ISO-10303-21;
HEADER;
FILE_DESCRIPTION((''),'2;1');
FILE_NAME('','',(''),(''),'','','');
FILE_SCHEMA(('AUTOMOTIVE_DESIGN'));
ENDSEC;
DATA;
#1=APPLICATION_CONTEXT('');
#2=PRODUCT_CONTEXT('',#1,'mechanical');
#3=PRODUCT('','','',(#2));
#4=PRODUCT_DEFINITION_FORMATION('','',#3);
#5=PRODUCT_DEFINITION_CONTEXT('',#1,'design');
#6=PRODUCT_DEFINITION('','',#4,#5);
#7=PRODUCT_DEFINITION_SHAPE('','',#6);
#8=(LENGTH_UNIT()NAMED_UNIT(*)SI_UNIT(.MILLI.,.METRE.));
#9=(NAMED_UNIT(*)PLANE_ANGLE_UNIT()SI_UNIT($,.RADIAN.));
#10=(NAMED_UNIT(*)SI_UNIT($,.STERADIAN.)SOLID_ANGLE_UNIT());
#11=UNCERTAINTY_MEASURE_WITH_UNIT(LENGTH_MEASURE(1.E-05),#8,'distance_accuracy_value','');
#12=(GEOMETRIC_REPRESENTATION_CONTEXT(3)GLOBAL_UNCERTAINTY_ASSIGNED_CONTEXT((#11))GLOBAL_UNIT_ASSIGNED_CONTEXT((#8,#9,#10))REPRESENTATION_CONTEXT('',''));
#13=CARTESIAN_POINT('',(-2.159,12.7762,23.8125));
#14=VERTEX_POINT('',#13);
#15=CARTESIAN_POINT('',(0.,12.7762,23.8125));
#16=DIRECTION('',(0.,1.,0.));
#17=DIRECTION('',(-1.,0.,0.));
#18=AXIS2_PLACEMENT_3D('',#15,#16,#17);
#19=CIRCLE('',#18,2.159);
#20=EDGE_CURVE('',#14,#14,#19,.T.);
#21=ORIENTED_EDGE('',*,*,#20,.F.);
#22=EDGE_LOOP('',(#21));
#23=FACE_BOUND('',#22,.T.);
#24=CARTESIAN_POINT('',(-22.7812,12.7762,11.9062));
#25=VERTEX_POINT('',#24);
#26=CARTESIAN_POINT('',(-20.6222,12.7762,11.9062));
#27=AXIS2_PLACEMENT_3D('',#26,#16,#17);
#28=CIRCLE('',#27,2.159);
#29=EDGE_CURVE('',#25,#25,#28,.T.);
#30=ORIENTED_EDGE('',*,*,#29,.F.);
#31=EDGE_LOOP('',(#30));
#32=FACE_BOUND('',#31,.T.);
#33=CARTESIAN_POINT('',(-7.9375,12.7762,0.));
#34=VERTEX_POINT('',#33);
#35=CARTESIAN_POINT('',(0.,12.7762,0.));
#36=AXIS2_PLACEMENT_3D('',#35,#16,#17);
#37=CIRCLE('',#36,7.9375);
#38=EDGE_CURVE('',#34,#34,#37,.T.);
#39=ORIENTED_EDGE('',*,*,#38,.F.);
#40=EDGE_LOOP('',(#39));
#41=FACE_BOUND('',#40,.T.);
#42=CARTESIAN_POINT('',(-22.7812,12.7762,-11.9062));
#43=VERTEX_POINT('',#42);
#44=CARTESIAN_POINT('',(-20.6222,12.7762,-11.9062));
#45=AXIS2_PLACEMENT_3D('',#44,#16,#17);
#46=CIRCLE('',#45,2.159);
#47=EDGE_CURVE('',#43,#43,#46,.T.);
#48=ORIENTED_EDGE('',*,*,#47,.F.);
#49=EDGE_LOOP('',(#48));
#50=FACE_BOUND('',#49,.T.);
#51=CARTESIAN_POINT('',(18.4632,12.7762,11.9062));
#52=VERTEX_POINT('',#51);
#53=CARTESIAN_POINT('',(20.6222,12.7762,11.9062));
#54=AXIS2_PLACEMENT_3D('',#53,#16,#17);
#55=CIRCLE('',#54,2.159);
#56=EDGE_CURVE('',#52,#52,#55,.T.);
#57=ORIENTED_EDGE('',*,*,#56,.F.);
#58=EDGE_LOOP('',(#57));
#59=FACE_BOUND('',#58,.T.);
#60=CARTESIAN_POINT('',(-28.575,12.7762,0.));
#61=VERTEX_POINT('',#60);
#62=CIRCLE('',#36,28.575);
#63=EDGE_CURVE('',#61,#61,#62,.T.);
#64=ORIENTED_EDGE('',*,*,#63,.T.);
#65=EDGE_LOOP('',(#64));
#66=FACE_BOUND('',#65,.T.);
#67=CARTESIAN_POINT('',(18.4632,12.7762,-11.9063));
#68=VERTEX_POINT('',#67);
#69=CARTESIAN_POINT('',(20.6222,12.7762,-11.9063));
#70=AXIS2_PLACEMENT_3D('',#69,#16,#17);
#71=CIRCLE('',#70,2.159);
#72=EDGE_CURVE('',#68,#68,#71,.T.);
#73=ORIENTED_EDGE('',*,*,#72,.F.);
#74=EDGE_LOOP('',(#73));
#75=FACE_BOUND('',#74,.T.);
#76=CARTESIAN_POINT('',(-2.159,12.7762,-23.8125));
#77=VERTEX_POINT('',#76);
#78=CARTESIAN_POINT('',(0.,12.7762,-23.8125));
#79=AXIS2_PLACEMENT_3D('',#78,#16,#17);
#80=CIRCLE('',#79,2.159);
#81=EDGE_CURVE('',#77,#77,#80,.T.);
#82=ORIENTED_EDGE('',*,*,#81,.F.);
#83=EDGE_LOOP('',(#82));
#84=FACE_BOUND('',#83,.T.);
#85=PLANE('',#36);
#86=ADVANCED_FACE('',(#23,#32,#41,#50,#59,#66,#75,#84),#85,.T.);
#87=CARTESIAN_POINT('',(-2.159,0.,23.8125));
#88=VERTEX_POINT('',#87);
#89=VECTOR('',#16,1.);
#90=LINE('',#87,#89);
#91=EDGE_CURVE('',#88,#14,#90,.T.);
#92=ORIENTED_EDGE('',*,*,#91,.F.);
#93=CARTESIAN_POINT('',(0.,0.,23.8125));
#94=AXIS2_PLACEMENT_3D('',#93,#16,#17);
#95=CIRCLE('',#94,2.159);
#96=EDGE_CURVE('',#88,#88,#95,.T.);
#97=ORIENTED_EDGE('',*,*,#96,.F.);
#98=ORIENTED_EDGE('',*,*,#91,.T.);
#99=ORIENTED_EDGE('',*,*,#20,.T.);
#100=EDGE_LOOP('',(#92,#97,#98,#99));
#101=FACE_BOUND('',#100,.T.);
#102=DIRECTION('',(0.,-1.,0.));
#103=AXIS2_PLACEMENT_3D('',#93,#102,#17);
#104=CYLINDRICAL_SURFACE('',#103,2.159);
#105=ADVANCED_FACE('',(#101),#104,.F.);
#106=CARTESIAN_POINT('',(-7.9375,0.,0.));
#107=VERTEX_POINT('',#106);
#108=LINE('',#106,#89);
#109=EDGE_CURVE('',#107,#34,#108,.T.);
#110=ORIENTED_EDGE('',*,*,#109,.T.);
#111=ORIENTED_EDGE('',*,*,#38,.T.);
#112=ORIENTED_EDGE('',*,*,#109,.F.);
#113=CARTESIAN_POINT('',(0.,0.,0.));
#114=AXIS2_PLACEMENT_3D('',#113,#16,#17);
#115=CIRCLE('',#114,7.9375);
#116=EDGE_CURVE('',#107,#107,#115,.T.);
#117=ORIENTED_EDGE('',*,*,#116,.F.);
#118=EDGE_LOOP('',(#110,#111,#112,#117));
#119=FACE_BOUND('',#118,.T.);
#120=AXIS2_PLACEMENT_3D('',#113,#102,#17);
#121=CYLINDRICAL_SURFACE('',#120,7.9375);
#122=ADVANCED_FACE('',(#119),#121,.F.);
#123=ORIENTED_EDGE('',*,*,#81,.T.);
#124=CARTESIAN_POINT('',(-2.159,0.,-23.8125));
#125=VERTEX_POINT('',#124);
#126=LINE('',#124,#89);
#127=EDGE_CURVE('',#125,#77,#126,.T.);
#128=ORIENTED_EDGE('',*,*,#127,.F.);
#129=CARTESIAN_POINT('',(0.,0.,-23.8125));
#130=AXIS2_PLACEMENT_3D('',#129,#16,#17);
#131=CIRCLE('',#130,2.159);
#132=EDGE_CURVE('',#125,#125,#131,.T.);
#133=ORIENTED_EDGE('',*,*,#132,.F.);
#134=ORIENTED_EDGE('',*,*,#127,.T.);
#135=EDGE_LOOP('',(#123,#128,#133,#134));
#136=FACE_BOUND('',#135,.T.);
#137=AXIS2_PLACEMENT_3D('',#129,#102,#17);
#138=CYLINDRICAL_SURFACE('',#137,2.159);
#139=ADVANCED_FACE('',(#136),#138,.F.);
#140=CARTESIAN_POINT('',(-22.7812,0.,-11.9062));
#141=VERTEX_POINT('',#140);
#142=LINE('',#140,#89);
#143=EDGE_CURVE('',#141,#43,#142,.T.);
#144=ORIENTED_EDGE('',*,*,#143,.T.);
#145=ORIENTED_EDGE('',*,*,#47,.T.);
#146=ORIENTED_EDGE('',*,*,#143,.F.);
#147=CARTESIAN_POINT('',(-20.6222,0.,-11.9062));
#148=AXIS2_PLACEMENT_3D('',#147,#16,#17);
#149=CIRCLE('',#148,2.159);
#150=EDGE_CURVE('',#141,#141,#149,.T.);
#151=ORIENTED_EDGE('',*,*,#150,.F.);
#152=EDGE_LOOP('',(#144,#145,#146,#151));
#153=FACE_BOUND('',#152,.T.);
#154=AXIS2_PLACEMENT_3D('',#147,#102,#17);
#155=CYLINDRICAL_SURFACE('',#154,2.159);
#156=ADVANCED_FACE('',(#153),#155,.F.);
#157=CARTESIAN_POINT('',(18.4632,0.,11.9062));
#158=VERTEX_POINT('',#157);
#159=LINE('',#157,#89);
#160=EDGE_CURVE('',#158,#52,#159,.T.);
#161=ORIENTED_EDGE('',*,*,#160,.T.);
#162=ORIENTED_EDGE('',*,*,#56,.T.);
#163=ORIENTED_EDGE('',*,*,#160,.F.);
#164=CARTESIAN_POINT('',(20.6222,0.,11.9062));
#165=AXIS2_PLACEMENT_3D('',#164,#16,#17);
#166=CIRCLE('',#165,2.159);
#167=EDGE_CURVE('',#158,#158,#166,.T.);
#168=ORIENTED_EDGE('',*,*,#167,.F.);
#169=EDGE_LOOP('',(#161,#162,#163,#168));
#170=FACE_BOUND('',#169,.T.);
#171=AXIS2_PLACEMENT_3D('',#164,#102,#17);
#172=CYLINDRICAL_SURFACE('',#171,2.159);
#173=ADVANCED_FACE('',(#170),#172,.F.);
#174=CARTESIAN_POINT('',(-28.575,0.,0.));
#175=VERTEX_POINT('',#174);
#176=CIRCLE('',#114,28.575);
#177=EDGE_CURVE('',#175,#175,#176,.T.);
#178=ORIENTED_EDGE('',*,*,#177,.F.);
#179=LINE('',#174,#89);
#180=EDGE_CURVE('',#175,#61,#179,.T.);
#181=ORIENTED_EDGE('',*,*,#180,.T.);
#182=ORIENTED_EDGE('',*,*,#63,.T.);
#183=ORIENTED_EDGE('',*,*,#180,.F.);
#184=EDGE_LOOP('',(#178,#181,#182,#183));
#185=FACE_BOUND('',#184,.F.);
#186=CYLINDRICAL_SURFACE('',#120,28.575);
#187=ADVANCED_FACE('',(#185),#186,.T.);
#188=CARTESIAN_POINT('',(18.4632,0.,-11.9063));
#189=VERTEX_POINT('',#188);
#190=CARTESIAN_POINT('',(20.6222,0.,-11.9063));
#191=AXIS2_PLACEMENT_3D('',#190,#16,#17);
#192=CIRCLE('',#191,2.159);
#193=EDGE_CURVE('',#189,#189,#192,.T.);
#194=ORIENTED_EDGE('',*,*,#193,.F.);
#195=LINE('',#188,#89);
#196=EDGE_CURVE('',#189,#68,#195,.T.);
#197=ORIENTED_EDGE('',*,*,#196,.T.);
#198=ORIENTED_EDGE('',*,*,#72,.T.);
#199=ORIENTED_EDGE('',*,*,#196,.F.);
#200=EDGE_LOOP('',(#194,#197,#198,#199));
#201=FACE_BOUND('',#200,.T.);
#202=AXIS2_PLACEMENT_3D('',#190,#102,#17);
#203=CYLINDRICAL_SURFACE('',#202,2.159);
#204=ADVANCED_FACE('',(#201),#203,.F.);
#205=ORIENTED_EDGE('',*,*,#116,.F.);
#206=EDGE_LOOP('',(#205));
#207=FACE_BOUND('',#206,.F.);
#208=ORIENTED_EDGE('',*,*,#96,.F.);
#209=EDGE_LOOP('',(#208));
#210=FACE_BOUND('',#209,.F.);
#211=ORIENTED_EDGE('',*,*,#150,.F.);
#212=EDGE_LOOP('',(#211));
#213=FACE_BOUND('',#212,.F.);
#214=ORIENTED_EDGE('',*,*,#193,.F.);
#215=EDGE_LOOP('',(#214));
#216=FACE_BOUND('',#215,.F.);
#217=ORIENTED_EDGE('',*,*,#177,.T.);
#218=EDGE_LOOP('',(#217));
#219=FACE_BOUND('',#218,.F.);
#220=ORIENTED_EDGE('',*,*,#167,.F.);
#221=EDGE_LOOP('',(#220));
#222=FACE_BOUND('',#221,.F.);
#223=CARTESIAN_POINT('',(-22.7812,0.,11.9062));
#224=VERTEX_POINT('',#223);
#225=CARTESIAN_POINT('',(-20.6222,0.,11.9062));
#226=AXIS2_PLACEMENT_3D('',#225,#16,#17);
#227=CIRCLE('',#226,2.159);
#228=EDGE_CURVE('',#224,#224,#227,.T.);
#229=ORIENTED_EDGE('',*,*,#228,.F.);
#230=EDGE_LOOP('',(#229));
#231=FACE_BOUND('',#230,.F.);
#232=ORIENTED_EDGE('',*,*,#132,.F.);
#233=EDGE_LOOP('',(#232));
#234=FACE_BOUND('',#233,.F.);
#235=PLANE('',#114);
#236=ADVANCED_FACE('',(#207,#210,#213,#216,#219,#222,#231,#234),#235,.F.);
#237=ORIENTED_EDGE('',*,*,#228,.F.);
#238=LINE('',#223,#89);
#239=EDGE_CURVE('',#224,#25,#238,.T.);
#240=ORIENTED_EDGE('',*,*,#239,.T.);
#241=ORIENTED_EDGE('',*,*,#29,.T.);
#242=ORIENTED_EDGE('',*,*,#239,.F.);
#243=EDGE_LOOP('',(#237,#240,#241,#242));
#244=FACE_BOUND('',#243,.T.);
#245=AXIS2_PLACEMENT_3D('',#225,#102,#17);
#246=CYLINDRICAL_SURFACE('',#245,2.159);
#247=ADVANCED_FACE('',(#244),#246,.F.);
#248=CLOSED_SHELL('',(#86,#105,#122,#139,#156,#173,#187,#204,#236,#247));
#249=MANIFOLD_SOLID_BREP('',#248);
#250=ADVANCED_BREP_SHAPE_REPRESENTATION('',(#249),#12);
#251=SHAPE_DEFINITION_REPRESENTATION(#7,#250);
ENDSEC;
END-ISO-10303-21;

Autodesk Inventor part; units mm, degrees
ref_plane "YZ Plane" through (0, 0, 0) normal (1, 0, 0) x (0, 1, 0)
ref_plane "XZ Plane" through (0, 0, 0) normal (0, 1, 0) x (-1, 0, 0)
ref_plane "XY Plane" through (0, 0, 0) normal (0, 0, 1) x (1, 0, 0)
sketch "Sketch1" plane through (0, 0, 0) normal (0, 1, 0) x (-1, 0, 0)
  circle A0 centre (0, 0) radius 23.8125 construction
  circle A1 centre (0, 23.8125) radius 2.159
  line L0 (0, 0) -> (0, 23.8125) construction
  line L1 (0, 23.8125) -> (20.6222, 11.9062) construction
  line L2 (20.6222, 11.9062) -> (20.6222, -11.9062) construction
  line L3 (20.6222, -11.9062) -> (0, -23.8125) construction
  line L4 (0, -23.8125) -> (-20.6222, -11.9063) construction
  line L5 (-20.6222, -11.9063) -> (-20.6222, 11.9062) construction
  line L6 (-20.6222, 11.9062) -> (0, 23.8125) construction
  circle A2 centre (-20.6222, 11.9062) radius 2.159
  circle A3 centre (-20.6222, -11.9063) radius 2.159
  circle A4 centre (0, -23.8125) radius 2.159
  circle A5 centre (20.6222, -11.9062) radius 2.159
  circle A6 centre (20.6222, 11.9062) radius 2.159
  circle A7 centre (0, 0) radius 28.575
  circle A8 centre (0, 0) radius 7.9375
  dimension "d0" = 47.625
  dimension "d1" = 4.318
  dimension "d2" = 4.318
  dimension "d3" = 4.318
  dimension "d4" = 4.318
  dimension "d5" = 4.318
  dimension "d6" = 4.318
  dimension "d7" = 57.15
  dimension "d10" = 15.875
extrude "Extrusion2" add sketch "Sketch1" along normal blind 12.7762
properties part number "spacer" material "Aluminum 6061"
